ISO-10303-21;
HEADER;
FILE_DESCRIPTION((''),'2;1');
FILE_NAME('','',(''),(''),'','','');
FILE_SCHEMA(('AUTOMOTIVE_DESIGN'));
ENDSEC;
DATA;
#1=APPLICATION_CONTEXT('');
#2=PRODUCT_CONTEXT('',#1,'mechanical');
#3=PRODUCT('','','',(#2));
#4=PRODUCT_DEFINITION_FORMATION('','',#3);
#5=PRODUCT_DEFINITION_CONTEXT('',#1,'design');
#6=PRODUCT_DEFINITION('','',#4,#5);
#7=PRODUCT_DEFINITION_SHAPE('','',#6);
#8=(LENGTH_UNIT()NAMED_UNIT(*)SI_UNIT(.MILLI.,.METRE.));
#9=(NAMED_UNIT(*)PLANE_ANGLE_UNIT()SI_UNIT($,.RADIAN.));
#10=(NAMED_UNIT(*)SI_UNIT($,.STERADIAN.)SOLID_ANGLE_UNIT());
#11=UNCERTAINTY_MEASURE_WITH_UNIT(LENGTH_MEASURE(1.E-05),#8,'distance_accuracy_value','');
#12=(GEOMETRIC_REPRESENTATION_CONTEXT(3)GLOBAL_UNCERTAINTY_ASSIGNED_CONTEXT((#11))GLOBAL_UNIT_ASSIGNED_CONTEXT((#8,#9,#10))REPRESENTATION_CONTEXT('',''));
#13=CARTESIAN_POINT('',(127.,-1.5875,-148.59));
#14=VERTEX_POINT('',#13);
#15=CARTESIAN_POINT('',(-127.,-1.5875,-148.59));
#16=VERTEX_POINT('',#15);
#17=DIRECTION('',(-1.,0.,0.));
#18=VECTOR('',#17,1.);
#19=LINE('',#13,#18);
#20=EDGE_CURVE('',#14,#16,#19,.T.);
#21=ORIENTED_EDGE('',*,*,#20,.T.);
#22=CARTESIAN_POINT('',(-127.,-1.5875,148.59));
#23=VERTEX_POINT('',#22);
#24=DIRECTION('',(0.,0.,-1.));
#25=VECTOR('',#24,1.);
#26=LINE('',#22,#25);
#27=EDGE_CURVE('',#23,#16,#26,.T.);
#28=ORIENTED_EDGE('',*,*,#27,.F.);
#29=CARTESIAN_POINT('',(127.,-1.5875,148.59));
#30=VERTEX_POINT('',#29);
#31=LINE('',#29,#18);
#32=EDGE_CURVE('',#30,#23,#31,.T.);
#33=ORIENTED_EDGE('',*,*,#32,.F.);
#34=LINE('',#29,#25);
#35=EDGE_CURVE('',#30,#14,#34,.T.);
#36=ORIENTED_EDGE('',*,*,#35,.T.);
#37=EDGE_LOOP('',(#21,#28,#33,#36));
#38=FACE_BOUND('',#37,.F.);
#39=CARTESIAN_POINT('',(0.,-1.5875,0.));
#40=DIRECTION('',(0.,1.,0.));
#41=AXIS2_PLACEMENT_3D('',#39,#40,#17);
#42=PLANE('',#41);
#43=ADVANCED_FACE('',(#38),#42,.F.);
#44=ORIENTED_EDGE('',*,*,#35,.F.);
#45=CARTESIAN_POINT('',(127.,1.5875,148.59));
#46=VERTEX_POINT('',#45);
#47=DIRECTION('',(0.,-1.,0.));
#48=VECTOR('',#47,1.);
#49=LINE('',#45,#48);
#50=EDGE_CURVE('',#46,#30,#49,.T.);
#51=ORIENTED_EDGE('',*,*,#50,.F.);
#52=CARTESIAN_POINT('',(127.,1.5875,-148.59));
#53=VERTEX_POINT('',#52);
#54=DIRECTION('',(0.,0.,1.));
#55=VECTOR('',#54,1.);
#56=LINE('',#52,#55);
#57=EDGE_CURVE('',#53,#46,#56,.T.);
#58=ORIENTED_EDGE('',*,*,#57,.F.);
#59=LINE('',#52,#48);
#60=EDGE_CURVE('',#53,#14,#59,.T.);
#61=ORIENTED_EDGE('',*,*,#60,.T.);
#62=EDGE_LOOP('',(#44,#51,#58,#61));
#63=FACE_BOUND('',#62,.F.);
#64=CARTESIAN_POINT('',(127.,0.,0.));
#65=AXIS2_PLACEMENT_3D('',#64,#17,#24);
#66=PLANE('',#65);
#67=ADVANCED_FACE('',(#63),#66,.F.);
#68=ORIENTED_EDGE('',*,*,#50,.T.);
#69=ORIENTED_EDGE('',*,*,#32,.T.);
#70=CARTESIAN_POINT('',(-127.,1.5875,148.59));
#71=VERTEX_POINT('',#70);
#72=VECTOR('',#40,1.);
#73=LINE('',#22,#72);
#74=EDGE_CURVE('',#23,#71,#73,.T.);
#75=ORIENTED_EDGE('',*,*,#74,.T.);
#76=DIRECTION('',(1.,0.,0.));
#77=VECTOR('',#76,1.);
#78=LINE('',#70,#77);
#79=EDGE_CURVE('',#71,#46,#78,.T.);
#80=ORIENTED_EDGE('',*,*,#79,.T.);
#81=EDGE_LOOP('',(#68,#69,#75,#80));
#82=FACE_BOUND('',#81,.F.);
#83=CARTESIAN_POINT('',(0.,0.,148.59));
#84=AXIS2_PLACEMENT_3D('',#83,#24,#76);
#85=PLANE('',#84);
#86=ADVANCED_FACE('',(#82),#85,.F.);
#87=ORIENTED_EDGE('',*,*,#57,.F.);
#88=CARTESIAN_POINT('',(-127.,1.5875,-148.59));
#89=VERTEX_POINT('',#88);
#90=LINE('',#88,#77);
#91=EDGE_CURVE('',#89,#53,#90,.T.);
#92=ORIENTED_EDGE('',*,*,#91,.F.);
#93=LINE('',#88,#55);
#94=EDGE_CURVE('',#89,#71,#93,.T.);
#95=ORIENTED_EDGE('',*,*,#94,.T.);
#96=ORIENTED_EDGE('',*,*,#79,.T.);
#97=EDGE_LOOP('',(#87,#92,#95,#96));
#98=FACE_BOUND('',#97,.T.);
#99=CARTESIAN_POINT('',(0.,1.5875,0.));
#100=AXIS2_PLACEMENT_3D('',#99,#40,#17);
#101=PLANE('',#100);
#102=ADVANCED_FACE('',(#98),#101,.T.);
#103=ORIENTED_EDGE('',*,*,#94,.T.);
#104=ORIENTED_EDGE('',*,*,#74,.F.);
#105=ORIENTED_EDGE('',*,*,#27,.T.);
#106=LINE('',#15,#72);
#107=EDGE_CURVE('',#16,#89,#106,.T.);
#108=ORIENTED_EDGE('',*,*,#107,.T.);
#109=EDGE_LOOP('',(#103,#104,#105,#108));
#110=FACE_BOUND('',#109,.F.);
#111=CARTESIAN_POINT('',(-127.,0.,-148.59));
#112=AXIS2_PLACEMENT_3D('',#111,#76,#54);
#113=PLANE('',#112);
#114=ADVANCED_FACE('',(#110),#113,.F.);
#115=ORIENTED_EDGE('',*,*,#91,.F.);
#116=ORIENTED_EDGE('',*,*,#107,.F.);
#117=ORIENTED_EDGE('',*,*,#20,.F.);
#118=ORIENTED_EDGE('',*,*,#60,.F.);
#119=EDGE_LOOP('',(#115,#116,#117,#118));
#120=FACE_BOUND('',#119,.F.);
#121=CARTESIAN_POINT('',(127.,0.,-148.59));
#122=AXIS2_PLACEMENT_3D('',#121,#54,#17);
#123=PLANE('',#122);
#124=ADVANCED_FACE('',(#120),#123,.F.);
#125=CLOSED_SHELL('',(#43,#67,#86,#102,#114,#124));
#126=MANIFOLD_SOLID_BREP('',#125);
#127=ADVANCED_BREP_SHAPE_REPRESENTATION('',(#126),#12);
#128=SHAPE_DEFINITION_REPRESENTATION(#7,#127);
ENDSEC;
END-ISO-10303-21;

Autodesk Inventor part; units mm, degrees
ref_plane "YZ Plane" through (0, 0, 0) normal (1, 0, 0) x (0, 1, 0)
ref_plane "XZ Plane" through (0, 0, 0) normal (0, 1, 0) x (-1, 0, 0)
ref_plane "XY Plane" through (0, 0, 0) normal (0, 0, 1) x (1, 0, 0)
sketch "Sketch1" plane through (0, 0, 0) normal (0, 1, 0) x (-1, 0, 0)
  line L0 (0, -208.026) -> (0, 208.026) projected
  line L1 (-177.8, 0) -> (177.8, 0) projected
  line L2 (177.8, 0) -> (-177.8, 0) projected
  line L3 (0, -208.026) -> (0, 208.026) projected
  line L4 (127, 148.59) -> (-127, 148.59)
  line L5 (-127, 148.59) -> (-127, -148.59)
  line L6 (-127, -148.59) -> (127, -148.59)
  line L7 (127, -148.59) -> (127, 148.59)
  line L8 (127, 148.59) -> (-127, -148.59) construction
  line L9 (-127, 148.59) -> (127, -148.59) construction
  point P0 (0, 0)
  dimension "d0" = 254
  dimension "d1" = 297.18
extrude "Extrusion1" add sketch "Sketch1" along normal mid plane 3.175
properties part number "BrainBoxTopBot"
